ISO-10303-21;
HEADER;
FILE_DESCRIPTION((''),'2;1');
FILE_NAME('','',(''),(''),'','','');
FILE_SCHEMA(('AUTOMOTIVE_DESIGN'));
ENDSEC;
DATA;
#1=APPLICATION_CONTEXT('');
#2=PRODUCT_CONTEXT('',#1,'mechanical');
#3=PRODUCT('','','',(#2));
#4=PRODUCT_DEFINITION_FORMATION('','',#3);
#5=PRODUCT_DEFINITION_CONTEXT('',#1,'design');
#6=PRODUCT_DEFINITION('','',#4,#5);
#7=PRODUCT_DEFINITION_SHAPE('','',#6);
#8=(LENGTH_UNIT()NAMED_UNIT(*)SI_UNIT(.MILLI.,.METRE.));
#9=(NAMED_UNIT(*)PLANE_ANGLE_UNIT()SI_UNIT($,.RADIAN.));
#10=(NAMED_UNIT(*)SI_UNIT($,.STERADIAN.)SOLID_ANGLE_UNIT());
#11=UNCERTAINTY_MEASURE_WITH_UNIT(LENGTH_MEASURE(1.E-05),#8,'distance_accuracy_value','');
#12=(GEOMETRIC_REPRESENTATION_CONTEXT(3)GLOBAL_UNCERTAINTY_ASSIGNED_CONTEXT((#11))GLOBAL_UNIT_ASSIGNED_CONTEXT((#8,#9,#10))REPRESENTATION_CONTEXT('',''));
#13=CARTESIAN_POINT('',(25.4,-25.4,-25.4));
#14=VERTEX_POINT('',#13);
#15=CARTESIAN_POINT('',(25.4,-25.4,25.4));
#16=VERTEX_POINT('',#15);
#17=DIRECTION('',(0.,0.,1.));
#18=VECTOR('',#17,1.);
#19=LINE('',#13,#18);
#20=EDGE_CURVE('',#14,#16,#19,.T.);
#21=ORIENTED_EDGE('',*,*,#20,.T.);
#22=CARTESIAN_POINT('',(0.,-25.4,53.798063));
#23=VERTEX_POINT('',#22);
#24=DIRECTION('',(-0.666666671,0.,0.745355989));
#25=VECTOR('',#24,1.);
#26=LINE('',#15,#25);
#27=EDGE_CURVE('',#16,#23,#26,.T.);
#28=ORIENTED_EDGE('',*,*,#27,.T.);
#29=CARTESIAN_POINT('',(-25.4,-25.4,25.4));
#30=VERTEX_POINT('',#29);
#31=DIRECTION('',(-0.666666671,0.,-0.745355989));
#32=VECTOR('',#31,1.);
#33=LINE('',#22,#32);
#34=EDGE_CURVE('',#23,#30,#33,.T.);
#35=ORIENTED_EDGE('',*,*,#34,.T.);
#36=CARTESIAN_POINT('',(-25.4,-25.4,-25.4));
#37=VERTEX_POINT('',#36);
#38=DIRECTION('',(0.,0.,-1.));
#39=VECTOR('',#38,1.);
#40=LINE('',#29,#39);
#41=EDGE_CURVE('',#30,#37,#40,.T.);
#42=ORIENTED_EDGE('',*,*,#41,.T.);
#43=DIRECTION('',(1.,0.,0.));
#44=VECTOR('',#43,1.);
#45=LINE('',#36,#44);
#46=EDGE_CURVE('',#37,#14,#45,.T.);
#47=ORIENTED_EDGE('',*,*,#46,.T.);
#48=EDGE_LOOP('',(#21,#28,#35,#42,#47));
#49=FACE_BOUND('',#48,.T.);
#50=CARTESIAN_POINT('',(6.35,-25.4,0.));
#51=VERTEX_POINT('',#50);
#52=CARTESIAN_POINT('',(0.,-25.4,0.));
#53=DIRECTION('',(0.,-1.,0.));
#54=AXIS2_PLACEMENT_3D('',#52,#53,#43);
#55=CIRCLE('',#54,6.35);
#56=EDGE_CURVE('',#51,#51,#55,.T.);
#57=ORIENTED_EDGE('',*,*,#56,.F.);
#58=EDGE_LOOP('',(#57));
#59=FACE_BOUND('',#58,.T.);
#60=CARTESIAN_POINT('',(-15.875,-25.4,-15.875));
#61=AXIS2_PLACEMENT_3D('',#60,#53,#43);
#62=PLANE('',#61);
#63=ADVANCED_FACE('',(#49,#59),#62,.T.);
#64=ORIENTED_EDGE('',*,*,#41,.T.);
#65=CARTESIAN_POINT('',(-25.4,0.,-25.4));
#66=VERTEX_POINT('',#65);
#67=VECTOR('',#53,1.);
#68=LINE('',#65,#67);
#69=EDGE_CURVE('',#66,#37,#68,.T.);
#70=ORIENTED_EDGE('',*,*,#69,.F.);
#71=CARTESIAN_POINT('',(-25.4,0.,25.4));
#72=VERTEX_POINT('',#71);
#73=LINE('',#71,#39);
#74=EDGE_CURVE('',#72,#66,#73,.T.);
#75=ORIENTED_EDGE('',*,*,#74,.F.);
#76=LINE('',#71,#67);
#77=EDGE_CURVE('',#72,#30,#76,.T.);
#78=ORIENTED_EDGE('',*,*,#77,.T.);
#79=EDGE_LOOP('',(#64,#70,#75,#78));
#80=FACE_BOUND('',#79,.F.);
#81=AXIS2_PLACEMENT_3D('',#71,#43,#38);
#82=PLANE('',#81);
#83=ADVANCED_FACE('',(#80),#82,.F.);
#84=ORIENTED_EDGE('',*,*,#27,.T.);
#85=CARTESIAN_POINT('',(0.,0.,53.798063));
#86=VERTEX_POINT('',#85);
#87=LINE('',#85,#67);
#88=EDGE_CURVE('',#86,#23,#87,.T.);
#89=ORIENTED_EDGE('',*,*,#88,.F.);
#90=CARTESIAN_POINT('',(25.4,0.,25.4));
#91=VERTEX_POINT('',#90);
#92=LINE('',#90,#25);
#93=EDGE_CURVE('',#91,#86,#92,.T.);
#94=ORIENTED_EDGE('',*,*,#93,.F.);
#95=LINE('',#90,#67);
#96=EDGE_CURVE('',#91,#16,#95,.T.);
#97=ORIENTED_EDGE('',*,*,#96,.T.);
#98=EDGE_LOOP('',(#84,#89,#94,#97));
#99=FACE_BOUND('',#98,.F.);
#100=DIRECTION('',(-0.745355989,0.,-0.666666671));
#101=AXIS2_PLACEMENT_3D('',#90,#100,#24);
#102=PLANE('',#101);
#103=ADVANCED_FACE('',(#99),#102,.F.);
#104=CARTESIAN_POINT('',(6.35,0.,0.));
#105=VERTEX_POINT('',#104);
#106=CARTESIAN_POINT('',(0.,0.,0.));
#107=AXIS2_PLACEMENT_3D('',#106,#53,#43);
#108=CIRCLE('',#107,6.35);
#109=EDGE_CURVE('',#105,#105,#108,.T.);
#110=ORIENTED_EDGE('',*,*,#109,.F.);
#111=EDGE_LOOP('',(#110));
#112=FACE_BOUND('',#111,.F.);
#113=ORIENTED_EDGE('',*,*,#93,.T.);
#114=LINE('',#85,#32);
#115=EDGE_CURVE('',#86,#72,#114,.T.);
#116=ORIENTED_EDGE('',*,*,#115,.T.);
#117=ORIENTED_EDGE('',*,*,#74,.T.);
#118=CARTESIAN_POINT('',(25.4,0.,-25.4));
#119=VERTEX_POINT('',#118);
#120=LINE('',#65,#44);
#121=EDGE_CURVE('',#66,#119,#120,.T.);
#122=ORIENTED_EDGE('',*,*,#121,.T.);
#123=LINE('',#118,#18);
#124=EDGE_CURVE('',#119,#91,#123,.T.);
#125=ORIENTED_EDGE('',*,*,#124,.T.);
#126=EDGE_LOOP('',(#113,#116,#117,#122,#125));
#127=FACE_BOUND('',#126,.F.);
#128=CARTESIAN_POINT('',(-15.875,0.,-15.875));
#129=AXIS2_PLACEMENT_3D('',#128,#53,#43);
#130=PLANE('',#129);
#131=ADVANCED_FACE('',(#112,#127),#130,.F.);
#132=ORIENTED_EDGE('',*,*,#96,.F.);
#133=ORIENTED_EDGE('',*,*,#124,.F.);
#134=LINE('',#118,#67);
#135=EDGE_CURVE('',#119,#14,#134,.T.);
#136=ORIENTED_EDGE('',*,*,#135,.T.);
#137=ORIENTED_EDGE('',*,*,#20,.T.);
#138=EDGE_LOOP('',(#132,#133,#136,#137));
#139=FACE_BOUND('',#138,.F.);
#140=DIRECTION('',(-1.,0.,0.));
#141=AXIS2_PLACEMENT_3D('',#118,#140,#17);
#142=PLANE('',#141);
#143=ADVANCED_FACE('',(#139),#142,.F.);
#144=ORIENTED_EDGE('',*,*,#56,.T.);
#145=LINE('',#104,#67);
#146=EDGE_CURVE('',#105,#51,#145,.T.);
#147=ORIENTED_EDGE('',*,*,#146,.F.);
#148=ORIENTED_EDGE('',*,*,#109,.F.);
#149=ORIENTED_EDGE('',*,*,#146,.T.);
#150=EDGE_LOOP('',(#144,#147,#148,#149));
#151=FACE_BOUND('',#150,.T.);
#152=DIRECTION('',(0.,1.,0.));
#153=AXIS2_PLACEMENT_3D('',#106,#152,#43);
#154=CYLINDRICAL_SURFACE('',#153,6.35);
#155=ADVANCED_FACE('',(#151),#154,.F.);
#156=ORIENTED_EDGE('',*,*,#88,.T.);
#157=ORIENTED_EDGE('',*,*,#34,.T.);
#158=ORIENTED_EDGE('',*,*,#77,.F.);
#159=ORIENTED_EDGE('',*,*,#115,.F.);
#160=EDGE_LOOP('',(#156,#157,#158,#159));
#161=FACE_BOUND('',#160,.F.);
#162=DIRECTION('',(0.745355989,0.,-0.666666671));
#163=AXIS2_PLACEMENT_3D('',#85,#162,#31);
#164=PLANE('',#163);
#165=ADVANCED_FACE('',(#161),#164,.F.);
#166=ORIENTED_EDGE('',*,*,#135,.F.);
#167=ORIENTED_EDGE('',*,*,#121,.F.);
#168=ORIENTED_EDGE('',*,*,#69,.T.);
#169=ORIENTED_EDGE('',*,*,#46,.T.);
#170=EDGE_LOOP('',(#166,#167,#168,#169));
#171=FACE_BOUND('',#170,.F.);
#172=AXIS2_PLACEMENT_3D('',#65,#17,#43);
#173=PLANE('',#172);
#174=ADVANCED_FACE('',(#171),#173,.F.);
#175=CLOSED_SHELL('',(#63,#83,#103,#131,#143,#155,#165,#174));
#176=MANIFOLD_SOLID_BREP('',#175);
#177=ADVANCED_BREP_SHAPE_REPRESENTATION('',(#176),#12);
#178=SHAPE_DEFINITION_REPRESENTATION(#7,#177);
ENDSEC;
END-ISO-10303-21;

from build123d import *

# Parameters (mm, degrees)
F0_W     = 19.05
F0_H     = 19.05
F0_R     = 6.35
F1_DEPTH = 25.4


with BuildPart() as f1:
    # F0 (on Front) → F1 (new body)
    with BuildSketch(Plane.XZ):
        with Locations((-15.875, -15.875)):
            Rectangle(F0_W, F0_H)
        Polygon((-6.35, -6.35), (-6.35, -25.4), (25.4, -25.4), (25.4, 25.4), (-25.4, 25.4), (-25.4, -6.35), align=None)
        Circle(F0_R, mode=Mode.SUBTRACT)
        Polygon((0, 53.798063), (-25.4, 25.4), (25.4, 25.4), align=None)
    extrude(amount=F1_DEPTH)


solid = f1.part
